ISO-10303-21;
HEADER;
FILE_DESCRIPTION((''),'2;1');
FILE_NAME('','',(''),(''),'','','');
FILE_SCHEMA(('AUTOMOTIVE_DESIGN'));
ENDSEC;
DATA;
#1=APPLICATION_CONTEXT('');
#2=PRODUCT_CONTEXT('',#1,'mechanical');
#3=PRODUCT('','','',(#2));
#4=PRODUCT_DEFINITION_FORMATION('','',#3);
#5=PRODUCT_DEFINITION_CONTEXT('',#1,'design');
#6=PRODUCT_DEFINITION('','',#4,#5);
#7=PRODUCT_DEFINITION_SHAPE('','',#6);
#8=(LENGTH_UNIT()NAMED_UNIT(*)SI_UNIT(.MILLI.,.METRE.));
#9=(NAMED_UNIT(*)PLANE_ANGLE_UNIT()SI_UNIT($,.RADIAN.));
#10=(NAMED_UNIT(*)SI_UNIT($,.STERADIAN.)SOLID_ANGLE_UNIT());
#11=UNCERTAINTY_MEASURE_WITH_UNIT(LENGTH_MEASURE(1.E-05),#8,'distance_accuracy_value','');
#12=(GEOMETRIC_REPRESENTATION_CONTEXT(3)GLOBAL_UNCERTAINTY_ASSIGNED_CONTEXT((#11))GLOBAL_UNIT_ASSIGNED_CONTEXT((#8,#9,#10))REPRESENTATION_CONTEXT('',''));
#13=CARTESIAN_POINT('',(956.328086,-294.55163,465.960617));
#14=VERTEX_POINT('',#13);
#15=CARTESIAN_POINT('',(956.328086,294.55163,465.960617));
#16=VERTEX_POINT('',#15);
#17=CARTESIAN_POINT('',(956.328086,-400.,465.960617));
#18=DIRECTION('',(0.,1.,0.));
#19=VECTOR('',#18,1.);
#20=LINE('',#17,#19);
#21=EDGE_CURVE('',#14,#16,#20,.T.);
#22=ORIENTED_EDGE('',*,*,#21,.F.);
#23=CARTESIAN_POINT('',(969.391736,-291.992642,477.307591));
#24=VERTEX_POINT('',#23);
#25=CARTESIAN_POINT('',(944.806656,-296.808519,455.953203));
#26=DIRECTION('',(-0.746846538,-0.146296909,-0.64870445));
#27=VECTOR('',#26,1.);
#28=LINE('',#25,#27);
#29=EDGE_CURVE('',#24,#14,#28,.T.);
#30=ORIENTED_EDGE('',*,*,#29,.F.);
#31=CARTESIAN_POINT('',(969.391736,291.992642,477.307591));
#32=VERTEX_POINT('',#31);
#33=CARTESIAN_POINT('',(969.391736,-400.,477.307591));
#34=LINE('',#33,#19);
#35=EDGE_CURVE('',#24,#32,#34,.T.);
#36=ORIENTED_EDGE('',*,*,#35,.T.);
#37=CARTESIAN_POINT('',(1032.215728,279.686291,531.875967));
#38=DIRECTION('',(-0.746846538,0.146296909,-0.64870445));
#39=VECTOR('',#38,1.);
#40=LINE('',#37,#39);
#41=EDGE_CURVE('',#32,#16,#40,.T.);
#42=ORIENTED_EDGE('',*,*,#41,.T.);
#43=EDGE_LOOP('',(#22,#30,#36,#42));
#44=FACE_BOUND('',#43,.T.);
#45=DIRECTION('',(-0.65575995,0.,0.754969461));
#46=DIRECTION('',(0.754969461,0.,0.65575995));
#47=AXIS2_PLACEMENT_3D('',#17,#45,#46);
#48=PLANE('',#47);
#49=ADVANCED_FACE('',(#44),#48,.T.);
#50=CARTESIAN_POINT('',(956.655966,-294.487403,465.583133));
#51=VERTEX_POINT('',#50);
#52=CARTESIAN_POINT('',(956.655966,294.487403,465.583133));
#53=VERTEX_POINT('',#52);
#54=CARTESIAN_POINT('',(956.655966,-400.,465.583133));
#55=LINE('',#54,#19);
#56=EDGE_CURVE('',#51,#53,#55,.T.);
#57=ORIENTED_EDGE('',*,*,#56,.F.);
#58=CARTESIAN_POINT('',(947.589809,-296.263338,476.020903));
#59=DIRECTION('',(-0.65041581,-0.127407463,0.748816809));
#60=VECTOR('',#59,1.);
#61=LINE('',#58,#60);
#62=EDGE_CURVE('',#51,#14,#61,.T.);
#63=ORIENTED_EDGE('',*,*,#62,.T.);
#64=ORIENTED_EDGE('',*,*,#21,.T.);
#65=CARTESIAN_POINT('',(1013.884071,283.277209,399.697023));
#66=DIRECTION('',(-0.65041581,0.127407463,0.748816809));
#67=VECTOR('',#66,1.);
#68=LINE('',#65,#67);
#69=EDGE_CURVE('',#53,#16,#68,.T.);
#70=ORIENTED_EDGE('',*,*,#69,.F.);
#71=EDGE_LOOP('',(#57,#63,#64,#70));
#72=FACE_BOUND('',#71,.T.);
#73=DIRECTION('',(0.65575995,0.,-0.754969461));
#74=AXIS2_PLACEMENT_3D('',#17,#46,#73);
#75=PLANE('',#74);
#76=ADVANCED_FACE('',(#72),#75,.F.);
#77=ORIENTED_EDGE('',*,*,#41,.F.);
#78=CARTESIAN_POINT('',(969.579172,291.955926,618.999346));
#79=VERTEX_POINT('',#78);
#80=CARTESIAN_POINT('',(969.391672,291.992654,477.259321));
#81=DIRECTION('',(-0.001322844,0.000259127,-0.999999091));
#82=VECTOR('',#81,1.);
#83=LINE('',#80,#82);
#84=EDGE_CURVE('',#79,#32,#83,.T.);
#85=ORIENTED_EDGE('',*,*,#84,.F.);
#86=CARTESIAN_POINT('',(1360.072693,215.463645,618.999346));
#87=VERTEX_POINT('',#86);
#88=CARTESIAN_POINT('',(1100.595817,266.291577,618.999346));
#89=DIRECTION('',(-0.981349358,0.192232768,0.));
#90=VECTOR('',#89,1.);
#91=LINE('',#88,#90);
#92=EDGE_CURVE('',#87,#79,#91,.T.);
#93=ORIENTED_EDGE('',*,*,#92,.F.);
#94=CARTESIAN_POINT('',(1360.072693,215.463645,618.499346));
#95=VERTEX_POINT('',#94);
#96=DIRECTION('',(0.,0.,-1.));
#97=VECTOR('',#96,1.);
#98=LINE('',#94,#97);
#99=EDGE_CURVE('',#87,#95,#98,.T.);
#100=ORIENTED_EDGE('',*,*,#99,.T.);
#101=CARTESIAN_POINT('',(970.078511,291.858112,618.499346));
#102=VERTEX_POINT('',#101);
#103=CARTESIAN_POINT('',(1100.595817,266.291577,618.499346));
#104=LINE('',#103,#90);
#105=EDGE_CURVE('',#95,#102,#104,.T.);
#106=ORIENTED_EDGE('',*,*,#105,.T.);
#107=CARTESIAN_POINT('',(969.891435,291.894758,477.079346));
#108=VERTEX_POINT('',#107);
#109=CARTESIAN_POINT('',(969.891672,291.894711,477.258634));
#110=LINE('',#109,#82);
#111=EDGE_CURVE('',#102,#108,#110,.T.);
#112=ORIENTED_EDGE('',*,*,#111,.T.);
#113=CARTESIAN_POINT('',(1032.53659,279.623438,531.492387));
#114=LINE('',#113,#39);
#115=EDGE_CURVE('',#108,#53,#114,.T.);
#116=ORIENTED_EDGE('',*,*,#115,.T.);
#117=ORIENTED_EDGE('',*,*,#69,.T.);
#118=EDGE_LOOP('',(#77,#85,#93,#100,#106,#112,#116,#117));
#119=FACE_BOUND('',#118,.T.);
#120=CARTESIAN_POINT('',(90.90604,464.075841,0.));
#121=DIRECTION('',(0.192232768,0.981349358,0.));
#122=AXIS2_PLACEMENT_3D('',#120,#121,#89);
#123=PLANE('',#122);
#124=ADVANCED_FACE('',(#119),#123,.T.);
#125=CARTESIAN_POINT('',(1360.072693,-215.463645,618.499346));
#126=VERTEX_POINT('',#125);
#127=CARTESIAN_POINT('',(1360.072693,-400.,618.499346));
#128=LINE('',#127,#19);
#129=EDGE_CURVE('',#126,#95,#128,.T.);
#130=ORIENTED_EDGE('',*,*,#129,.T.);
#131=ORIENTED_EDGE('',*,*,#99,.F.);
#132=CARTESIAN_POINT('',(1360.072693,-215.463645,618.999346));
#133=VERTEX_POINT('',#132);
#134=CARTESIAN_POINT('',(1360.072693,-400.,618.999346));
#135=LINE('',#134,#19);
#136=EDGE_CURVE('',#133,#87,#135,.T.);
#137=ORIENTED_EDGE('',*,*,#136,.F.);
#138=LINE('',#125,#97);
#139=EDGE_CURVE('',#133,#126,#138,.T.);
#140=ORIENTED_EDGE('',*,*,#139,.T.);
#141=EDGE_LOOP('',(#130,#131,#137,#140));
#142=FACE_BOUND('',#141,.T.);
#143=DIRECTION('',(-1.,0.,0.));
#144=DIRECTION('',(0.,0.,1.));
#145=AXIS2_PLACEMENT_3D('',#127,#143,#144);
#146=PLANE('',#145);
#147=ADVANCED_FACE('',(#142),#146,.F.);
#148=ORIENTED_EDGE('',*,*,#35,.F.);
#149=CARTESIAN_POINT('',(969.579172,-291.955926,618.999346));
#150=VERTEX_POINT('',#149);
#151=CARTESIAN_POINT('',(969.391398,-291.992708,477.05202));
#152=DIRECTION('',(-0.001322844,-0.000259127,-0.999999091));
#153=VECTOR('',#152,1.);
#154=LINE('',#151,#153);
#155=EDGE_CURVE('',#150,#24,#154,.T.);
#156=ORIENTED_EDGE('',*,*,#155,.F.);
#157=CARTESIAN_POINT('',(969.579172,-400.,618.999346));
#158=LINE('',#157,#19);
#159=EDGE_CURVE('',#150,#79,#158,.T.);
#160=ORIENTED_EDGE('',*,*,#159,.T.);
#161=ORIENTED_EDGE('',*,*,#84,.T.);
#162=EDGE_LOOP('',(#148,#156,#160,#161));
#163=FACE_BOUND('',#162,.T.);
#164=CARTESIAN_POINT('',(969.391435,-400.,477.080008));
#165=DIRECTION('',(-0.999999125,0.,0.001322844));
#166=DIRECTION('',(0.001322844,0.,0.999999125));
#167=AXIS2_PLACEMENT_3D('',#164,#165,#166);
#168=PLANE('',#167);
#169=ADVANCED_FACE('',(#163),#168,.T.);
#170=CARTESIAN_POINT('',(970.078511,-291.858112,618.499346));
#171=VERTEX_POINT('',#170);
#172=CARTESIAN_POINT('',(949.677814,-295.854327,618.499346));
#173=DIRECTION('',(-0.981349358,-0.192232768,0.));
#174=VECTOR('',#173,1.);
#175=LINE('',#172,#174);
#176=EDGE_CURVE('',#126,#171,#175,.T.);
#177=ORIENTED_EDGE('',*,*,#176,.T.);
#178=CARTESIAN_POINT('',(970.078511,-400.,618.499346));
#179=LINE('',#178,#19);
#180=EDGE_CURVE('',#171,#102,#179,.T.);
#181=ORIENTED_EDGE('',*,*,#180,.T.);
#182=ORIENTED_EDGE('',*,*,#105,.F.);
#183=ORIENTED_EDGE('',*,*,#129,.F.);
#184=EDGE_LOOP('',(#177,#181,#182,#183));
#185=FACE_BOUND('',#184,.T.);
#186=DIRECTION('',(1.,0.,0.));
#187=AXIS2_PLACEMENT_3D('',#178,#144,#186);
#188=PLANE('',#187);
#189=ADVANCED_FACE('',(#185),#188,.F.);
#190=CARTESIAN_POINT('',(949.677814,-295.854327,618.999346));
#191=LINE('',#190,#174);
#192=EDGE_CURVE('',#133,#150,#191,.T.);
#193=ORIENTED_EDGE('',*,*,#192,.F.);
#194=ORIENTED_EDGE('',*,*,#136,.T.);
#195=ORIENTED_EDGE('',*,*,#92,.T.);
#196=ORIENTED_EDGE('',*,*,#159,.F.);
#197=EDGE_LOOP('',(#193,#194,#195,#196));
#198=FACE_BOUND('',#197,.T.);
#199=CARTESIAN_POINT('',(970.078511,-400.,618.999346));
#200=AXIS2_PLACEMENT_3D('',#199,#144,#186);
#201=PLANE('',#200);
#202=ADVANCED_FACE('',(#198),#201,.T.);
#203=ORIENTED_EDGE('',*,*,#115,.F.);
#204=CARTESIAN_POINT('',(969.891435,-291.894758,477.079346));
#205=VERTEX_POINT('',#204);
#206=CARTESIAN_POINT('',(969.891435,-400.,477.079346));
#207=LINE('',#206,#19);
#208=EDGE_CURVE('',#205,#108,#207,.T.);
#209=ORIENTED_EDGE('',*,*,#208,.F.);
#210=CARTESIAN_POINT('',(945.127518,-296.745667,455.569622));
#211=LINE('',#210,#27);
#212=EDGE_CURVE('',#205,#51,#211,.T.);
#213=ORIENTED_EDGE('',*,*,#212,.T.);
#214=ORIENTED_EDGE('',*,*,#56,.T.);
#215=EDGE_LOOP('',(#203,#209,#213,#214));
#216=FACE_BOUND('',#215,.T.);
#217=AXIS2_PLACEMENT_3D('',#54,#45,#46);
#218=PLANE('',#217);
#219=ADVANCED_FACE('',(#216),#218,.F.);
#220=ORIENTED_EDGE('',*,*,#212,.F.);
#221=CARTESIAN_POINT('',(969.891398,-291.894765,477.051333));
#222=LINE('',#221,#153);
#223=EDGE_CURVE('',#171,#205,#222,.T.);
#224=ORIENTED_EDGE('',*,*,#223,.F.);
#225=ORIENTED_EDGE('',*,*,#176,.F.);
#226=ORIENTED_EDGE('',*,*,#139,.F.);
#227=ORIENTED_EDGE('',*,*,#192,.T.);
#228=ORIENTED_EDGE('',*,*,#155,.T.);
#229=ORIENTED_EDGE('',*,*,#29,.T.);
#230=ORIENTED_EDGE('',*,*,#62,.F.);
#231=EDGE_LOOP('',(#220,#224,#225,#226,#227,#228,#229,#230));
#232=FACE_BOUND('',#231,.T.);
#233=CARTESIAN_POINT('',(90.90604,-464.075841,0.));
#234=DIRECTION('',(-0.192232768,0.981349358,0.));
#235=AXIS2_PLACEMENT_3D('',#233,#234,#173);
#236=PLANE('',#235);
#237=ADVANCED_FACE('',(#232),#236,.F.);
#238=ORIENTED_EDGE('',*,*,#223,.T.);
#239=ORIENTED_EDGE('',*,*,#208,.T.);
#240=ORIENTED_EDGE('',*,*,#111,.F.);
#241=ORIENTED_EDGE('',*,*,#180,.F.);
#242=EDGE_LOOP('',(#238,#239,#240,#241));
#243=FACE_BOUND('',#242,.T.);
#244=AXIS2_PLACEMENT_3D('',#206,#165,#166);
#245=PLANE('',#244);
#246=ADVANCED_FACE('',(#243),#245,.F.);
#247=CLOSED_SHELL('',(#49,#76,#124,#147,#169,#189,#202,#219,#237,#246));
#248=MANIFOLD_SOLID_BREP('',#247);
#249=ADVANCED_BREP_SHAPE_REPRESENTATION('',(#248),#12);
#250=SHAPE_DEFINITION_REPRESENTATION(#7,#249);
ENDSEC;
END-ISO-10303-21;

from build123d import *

# Parameters (mm, degrees)
WYCI_GNI_CIE_CIENKA_CIANKA1_DEPTH      = 400
WYCI_GNI_CIE_CIENKA_CIANKA1_DEPTH_BACK = 400


with BuildPart() as part:
    # Szkic3 → Wyciągnięcie-cienka ścianka1 (new, two sides)
    with BuildSketch(Plane(origin=(0, 0, 0), x_dir=(1, 0, 0), z_dir=(0, 1, 0))) as wyci_gni_cie_cienka_cianka1_sk:
        Polygon((956.655966162, -465.583132528), (969.891434648, -477.079346089), (970.078511471, -618.499346089), (1360.07269303, -618.499346089), (1360.07269303, -618.999346089), (969.579172456, -618.999346089), (969.391736143, -477.307590729), (956.328086187, -465.960617259), align=None)
    extrude(amount=WYCI_GNI_CIE_CIENKA_CIANKA1_DEPTH)
    extrude(wyci_gni_cie_cienka_cianka1_sk.sketch, amount=-WYCI_GNI_CIE_CIENKA_CIANKA1_DEPTH_BACK)

    # Cięcie powierzchnią1
    split(bisect_by=Plane(origin=(90.906039695, -464.075841363, 0), x_dir=(-0.9813493581662637, -0.19223276834780917, 0), z_dir=(-0.19223276834780917, 0.9813493581662637, 0)), keep=Keep.TOP)

    # Cięcie powierzchnią2
    split(bisect_by=Plane(origin=(90.906039695, 464.075841363, 0), x_dir=(-0.9813493581662637, 0.19223276834780917, 0), z_dir=(0.19223276834780917, 0.9813493581662637, 0)), keep=Keep.BOTTOM)


solid = part.part
